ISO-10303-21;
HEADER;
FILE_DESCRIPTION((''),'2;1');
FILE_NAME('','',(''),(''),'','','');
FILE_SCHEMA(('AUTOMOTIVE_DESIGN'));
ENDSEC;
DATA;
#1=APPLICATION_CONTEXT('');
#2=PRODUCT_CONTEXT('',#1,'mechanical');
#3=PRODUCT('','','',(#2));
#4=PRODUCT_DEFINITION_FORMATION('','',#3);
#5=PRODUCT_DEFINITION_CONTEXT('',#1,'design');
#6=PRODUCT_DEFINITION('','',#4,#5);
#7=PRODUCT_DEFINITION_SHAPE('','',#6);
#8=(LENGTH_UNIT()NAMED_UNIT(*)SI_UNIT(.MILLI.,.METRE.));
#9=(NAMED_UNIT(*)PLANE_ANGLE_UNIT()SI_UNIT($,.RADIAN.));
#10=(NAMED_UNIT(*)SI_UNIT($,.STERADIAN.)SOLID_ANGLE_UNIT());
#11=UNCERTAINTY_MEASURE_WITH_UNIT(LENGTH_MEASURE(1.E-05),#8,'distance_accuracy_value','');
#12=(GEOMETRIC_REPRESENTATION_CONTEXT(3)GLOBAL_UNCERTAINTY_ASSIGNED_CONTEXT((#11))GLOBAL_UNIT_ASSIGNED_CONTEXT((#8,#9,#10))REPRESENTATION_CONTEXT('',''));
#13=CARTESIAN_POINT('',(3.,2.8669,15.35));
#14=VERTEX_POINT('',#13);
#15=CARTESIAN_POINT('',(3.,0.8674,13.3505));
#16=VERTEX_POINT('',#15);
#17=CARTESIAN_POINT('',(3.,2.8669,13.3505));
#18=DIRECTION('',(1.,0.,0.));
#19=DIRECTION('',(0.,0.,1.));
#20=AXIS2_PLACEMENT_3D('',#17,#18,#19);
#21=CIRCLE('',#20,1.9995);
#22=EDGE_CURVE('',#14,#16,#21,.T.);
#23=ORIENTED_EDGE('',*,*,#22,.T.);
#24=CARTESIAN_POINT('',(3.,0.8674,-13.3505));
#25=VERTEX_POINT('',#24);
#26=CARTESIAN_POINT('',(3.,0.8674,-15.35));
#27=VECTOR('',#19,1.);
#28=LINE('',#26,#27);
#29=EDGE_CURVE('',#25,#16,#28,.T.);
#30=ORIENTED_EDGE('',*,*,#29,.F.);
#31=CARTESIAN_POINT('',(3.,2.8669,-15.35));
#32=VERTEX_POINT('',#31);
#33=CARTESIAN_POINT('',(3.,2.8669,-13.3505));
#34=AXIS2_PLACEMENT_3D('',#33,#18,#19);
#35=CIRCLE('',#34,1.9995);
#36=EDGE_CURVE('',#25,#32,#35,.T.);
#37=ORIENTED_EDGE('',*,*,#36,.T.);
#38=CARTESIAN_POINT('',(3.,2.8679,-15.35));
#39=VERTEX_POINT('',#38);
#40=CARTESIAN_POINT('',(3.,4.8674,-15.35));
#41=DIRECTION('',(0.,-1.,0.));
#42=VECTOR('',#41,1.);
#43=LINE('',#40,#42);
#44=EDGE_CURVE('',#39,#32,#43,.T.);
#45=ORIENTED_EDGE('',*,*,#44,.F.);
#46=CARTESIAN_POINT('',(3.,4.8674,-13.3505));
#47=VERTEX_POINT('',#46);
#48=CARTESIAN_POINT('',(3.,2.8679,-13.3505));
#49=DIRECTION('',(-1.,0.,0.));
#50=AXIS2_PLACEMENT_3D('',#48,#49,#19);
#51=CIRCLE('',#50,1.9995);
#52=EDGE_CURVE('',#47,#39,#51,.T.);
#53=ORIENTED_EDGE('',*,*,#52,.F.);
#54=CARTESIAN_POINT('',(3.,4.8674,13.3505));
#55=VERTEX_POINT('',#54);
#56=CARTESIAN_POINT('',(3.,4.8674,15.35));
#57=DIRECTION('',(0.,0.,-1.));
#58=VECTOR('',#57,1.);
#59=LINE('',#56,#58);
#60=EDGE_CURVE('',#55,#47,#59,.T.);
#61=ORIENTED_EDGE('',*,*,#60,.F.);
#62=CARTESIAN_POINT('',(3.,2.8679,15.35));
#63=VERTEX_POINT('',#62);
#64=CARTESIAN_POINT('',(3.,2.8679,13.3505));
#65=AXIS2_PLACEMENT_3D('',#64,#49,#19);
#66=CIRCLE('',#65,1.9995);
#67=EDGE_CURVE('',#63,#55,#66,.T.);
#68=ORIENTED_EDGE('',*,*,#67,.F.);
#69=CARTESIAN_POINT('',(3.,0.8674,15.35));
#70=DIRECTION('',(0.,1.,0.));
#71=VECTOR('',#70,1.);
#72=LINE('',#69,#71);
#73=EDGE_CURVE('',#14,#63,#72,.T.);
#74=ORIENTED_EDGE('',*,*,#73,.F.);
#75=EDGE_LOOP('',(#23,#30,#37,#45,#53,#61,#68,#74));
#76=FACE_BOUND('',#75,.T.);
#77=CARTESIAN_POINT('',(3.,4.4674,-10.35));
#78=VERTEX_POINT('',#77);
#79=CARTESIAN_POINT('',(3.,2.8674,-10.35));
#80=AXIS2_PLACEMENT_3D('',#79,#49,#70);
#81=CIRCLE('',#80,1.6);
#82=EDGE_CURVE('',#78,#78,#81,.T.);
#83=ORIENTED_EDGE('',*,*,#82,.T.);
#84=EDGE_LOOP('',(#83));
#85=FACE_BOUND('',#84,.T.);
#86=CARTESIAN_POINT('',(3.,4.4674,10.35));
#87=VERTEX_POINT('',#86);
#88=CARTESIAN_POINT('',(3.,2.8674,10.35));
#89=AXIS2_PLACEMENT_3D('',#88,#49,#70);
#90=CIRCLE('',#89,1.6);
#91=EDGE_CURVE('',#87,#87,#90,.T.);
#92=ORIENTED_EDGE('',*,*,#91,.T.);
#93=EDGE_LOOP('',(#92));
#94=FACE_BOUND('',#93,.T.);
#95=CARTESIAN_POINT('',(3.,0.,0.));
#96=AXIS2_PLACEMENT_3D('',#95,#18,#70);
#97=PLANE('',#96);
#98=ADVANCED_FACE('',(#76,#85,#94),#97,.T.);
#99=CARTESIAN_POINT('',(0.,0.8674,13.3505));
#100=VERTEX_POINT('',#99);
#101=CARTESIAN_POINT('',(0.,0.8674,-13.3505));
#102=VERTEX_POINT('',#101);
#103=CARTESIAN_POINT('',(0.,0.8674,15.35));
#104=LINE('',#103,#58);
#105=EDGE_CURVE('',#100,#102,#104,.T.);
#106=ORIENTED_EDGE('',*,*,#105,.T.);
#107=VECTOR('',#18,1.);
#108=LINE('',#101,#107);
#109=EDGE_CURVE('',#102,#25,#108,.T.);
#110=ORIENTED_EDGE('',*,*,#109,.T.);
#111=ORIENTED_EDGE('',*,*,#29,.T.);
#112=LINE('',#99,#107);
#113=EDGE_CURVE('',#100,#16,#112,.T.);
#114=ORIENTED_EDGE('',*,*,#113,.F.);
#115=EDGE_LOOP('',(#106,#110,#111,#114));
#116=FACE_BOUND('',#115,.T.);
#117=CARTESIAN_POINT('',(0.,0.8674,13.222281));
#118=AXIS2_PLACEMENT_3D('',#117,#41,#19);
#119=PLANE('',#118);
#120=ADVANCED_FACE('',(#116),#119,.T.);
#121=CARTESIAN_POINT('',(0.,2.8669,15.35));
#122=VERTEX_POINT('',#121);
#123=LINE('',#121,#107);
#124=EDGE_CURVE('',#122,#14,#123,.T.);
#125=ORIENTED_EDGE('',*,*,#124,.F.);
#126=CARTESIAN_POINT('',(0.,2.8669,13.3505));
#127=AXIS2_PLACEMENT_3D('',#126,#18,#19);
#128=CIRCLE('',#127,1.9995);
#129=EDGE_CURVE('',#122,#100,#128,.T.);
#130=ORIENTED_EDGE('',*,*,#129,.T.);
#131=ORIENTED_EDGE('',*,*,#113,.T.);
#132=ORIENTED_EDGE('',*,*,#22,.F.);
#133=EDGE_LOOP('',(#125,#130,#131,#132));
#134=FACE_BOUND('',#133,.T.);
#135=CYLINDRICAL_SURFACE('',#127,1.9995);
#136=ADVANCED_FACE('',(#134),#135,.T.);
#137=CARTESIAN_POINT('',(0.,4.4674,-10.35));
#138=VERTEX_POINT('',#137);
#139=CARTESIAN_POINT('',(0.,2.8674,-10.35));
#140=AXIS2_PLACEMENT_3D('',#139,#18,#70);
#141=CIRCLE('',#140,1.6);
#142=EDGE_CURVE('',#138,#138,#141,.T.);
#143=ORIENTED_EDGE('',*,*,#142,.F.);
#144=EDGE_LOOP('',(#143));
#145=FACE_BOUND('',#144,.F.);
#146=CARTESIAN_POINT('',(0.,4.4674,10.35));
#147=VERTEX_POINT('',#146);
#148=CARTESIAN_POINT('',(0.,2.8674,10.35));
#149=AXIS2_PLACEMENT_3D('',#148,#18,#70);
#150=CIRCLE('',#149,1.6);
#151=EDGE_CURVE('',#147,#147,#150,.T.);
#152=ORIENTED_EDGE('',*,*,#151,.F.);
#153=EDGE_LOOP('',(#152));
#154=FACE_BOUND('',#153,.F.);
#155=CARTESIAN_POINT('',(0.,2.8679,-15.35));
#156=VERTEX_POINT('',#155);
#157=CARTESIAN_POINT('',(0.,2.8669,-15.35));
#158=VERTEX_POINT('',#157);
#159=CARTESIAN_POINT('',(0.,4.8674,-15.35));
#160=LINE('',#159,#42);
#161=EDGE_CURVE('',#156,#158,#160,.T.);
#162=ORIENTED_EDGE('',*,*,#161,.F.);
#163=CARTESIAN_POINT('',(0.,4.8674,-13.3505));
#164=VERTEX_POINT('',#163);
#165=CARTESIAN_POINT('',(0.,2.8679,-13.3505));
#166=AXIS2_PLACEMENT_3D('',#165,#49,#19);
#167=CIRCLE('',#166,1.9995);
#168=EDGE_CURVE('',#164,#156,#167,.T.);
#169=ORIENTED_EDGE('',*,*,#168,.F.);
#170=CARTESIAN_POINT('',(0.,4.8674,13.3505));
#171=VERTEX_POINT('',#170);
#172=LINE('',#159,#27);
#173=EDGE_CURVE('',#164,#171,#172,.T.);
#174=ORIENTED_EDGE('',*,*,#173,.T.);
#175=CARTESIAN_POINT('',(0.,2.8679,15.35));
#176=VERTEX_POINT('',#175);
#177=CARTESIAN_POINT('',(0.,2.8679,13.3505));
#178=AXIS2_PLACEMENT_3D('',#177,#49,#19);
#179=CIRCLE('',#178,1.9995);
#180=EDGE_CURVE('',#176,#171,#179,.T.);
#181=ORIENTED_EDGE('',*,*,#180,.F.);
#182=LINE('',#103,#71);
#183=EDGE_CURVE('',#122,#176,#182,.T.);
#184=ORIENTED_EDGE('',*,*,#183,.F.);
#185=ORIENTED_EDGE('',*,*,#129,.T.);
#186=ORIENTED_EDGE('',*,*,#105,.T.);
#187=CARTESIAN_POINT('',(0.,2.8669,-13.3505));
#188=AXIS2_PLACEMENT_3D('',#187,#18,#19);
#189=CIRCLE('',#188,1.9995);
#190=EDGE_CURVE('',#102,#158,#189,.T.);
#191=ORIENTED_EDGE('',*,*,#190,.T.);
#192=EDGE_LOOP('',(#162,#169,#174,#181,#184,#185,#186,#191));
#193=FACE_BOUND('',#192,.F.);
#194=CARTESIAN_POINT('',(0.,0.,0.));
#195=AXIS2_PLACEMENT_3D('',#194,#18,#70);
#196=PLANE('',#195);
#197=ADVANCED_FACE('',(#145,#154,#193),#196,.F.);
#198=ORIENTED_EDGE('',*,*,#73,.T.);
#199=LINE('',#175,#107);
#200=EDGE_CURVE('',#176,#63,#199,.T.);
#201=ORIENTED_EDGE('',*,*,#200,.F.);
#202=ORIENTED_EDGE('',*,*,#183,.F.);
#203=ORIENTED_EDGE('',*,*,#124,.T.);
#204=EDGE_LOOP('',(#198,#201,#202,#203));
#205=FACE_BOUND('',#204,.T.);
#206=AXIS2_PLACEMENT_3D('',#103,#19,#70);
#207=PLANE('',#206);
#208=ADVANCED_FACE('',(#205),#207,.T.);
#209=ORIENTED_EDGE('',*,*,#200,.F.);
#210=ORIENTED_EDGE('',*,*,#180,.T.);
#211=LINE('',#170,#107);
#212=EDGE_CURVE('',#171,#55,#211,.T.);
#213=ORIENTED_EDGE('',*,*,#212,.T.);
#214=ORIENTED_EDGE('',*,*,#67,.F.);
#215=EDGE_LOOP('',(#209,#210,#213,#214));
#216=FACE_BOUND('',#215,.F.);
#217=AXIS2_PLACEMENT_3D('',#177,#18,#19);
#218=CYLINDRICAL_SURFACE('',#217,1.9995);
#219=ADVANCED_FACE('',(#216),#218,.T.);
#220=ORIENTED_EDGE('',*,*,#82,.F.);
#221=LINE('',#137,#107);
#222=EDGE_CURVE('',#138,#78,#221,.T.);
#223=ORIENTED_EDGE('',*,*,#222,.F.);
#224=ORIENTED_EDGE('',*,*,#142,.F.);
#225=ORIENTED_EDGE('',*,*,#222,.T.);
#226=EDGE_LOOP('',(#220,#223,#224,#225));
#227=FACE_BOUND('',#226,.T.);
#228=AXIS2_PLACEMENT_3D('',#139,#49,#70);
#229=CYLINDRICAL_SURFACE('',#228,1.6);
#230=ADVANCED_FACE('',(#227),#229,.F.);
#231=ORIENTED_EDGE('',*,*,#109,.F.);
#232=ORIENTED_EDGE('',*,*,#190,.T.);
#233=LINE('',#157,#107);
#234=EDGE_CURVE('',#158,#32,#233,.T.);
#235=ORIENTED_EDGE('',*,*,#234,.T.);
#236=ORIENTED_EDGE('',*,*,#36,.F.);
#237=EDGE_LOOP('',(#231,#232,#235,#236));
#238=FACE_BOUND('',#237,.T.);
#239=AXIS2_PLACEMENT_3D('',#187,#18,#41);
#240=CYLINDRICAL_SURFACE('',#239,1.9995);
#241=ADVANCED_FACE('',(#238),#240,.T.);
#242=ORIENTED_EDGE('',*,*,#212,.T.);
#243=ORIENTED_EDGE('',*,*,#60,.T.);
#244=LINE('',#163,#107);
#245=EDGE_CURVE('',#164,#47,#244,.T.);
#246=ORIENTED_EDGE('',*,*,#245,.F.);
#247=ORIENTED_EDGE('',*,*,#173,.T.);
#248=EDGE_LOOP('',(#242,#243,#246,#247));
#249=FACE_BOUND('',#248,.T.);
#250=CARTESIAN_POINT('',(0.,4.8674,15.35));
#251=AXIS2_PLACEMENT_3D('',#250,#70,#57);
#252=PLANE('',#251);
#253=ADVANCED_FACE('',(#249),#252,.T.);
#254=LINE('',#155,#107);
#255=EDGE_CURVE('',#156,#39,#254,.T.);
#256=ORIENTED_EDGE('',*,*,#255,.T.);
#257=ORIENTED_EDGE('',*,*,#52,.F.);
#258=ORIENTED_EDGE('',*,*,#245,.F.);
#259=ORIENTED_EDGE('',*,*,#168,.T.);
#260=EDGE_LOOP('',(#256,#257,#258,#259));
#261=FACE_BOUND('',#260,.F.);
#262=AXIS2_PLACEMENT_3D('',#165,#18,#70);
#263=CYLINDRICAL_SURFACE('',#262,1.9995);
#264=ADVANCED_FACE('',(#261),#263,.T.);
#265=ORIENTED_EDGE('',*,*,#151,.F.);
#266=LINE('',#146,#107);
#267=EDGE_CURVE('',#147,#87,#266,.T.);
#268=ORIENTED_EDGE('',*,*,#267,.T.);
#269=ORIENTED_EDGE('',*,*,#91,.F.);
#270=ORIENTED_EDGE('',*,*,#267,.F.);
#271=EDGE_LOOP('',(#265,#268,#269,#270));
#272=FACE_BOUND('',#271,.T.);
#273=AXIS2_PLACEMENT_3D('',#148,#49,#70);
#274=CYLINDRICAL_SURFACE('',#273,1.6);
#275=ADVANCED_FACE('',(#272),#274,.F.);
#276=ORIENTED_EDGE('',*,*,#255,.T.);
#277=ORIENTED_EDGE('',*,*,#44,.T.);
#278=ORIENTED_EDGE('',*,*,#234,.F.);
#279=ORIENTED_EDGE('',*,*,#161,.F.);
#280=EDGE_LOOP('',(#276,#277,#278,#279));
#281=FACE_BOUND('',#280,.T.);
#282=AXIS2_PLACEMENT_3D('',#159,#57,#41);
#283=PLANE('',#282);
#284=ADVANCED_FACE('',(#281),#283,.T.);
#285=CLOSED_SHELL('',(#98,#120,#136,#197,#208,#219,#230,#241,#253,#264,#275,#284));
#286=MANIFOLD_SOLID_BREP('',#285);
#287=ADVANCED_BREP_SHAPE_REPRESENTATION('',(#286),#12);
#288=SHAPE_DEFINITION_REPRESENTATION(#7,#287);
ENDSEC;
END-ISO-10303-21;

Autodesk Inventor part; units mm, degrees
ref_plane "YZ Plane" through (0, 0, 0) normal (1, 0, 0) x (0, 1, 0)
ref_plane "XZ Plane" through (0, 0, 0) normal (0, 1, 0) x (-1, 0, 0)
ref_plane "XY Plane" through (0, 0, 0) normal (0, 0, 1) x (1, 0, 0)
sketch "スケッチ1" plane through (0, 0, 0) normal (1, 0, 0) x (0, 1, 0)
  line L0 (0.8674, 15.35) -> (4.8674, 15.35)
  line L1 (4.8674, 15.35) -> (4.8674, -15.35)
  line L2 (4.8674, -15.35) -> (0.8674, -15.35)
  line L3 (0.8674, -15.35) -> (0.8674, 15.35)
  circle A0 centre (2.8674, 10.35) radius 1.6
  line L4 (0.8674, 9.5) -> (5.8674, 9.5)
  line L5 (5.8674, 9.5) -> (5.8674, -9.5)
  line L6 (5.8674, -9.5) -> (0.8674, -9.5)
  line L7 (0.8674, -9.5) -> (0.8674, 9.5)
  circle A1 centre (2.8674, 10.35) radius 3.5
  line L8 (0.8674, 0) -> (5.8674, 0)
  circle A2 centre (2.8674, -10.35) radius 1.6
  line L9 (0.8674, 9.5) -> (0.3674, 9.5)
  line L10 (0.3674, 9.5) -> (0.3674, -7.3389)
  line L11 (0.3674, -7.3389) -> (0.8674, -7.3389)
  line L12 (0.8674, -7.3389) -> (0.8674, 9.5)
  point P0 (0, 0)
  dimension "d0" = 4
  dimension "d1" = 30.7
  dimension "d2" = 3.2
  dimension "d3" = 5
  dimension "d4" = 19
  dimension "d6" = 5
  dimension "d7" = 2
  dimension "d8" = 7
  dimension "d9" = 0.5
  dimension "d13" = 15.35
  dimension "d14" = 0
extrude "押し出し1" add sketch "スケッチ1" along normal blind 3 contours L0 L1 A1 L3 | A1 L1 L4 A0 L3 | L4 A0 L1 A1 L3 | A1 L1 L8 L3 | L8 L1 L6 A2 L3 | L6 A2 L1 L2 L3
fillet "フィレット1" radius 2 4 edges at (1.5, 4.8674, 15.35) (1.5, 0.8674, 15.35) (1.5, 0.8674, -15.35) (1.5, 4.8674, -15.35)
properties part number "belt_liner_v2_Plate_18" material "アルミニウム 6061"
